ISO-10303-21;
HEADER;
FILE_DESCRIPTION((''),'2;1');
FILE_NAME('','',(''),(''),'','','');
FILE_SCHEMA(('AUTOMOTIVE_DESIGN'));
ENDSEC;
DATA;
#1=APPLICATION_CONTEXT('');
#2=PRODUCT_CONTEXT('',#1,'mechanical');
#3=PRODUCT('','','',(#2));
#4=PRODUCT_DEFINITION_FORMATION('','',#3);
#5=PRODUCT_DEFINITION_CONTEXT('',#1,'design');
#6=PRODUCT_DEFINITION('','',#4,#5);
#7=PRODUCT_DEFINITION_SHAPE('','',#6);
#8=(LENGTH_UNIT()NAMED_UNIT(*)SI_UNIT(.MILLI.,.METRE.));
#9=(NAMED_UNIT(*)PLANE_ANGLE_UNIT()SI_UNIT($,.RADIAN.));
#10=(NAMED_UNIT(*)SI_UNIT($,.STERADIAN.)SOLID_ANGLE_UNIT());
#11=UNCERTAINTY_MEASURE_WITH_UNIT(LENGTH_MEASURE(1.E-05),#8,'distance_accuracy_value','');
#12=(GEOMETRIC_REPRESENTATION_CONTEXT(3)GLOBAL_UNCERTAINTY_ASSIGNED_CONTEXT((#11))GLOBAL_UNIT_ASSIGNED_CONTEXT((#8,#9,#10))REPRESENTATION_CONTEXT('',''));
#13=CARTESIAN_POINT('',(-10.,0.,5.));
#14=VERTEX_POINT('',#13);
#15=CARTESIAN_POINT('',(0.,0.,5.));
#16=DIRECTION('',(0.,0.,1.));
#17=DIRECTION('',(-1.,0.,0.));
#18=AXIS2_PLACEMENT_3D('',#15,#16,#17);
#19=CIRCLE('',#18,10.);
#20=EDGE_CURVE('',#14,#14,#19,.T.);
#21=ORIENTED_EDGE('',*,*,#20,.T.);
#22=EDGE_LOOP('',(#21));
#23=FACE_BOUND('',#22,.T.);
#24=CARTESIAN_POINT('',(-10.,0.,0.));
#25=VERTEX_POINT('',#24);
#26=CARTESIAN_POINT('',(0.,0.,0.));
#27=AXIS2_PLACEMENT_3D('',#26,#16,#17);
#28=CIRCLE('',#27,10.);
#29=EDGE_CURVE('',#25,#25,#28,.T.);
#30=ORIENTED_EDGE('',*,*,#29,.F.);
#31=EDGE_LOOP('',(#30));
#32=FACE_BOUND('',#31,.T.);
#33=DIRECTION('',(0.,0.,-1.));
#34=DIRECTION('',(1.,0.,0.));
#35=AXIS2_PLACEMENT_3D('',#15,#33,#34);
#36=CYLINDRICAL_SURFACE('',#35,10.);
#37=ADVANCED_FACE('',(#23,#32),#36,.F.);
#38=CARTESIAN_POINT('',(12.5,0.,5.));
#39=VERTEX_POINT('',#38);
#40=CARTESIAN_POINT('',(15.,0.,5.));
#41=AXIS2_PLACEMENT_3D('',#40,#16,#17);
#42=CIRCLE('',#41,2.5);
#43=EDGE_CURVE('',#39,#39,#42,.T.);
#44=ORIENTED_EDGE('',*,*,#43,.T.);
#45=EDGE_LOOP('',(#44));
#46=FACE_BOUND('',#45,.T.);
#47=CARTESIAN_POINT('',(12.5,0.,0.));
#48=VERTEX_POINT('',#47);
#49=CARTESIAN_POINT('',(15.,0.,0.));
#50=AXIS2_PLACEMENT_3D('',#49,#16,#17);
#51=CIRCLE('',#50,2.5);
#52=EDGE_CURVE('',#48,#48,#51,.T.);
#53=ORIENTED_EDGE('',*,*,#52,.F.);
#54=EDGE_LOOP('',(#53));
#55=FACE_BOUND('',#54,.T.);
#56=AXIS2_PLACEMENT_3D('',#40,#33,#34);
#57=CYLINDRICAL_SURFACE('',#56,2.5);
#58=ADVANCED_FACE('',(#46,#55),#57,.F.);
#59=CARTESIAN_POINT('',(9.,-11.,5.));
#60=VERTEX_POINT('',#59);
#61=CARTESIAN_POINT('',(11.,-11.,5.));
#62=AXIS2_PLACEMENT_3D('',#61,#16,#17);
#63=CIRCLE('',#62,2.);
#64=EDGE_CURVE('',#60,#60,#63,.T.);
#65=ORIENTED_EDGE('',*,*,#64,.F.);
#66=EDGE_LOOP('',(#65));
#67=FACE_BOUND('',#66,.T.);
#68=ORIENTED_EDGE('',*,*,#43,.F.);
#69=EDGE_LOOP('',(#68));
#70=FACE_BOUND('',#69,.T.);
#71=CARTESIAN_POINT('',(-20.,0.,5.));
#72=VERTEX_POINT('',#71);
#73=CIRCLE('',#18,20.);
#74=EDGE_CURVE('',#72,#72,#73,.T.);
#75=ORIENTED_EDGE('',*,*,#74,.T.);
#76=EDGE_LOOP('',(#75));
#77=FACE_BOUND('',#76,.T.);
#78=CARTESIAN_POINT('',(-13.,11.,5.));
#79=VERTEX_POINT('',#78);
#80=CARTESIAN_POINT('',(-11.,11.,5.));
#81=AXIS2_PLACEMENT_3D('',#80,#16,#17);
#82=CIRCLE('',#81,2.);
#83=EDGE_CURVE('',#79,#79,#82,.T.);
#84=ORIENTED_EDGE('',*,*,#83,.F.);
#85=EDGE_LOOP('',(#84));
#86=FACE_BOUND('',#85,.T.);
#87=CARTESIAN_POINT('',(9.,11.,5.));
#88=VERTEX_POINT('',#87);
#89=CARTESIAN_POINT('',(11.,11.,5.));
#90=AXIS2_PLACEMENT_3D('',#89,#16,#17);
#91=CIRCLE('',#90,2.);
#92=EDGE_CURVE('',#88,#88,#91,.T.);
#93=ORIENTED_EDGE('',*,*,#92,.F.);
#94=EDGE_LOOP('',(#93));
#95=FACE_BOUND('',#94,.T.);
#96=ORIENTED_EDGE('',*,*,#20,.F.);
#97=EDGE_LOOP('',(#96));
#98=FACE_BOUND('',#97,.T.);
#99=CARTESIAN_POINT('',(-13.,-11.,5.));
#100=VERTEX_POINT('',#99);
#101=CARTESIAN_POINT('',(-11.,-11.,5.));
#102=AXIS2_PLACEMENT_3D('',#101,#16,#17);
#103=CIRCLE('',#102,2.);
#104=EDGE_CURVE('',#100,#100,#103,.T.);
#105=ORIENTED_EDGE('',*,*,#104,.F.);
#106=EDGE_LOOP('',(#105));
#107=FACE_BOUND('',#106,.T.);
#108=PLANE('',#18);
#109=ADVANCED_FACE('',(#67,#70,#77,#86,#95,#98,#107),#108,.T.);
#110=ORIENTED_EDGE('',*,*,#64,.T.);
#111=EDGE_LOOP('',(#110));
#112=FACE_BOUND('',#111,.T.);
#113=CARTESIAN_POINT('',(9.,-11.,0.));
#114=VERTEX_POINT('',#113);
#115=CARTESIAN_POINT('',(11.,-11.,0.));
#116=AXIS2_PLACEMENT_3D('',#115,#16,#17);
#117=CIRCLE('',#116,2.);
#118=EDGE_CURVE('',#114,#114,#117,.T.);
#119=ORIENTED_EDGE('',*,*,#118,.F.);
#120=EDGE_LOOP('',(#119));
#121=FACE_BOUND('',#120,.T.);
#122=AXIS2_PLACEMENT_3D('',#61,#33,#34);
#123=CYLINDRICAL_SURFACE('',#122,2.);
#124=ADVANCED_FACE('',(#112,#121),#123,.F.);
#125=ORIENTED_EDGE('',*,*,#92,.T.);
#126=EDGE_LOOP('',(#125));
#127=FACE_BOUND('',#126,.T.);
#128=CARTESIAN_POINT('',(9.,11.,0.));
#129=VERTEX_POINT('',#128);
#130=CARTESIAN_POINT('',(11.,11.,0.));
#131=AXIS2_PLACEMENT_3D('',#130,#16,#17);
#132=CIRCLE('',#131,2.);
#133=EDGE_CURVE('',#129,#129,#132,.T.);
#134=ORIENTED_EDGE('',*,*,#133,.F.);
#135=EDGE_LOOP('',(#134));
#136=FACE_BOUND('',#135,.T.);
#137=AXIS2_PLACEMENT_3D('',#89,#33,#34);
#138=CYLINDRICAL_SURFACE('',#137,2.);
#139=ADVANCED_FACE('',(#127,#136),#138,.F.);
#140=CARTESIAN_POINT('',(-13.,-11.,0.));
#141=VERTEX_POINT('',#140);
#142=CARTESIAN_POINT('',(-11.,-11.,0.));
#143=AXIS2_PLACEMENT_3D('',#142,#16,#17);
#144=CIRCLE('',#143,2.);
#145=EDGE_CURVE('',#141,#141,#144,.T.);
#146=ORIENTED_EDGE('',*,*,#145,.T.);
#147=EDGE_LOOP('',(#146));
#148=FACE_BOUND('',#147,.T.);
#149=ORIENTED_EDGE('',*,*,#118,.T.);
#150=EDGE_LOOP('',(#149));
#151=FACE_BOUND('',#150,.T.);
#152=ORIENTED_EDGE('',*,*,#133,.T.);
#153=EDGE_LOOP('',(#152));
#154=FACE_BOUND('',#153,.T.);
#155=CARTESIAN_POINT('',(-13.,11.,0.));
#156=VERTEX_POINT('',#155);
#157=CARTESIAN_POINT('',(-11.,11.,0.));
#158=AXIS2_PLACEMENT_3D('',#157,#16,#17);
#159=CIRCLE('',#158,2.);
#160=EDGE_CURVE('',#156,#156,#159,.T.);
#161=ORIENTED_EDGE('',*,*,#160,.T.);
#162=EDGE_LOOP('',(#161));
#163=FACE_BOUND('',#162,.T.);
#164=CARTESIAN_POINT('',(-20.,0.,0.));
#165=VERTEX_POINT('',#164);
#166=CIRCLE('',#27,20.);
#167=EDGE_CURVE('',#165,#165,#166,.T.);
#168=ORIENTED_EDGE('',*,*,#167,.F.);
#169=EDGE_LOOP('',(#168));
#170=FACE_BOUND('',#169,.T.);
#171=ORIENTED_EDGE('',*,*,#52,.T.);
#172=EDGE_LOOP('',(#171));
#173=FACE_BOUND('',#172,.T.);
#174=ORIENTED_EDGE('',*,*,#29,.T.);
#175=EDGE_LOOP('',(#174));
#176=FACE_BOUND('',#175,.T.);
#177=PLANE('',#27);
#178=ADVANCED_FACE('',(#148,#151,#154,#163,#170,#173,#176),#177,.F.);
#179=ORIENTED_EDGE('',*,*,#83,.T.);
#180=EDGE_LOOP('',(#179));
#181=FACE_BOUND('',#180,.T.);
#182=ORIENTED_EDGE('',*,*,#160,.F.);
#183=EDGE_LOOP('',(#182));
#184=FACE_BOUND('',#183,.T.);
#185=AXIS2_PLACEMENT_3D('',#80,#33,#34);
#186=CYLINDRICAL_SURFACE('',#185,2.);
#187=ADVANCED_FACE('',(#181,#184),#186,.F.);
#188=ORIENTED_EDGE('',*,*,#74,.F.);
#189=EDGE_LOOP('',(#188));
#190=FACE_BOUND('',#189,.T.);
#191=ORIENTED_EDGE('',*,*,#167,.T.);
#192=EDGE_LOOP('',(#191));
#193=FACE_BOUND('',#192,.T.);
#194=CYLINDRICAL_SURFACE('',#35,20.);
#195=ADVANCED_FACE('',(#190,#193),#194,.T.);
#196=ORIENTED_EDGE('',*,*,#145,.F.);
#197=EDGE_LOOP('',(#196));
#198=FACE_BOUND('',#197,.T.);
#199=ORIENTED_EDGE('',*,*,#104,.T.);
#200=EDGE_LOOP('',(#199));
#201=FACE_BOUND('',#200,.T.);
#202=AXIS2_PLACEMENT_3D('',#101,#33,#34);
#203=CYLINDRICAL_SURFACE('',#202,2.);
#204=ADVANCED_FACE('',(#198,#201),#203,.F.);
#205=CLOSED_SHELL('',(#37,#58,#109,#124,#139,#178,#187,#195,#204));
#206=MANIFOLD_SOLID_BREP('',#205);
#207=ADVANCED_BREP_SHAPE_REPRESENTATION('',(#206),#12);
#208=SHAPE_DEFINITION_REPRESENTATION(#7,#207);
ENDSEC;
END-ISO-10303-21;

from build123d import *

# Parameters (mm, degrees)
SKETCH1_R             = 20
SKETCH1_R_2           = 10
SKETCH1_R_3           = 2
SKETCH1_R_4           = 2.5
BOSS_EXTRUDE1_DEPTH   = 5
BODY_MOVE_COPY1_ANGLE = 180


with BuildPart() as part:
    # Sketch1 → Boss-Extrude1 (new body)
    with BuildSketch(Plane(origin=(0, 0, 0), x_dir=(0, 0, -1), z_dir=(1, 0, 0))):
        Circle(SKETCH1_R)
        Circle(SKETCH1_R_2, mode=Mode.SUBTRACT)
        with Locations((-11, 11)):
            Circle(SKETCH1_R_3, mode=Mode.SUBTRACT)
        with Locations((11, 11)):
            Circle(SKETCH1_R_3, mode=Mode.SUBTRACT)
        with Locations((11, -11)):
            Circle(SKETCH1_R_3, mode=Mode.SUBTRACT)
        with Locations((-11, -11)):
            Circle(SKETCH1_R_3, mode=Mode.SUBTRACT)
        with Locations((-15, 0)):
            Circle(SKETCH1_R_4, mode=Mode.SUBTRACT)
    extrude(amount=BOSS_EXTRUDE1_DEPTH)


with BuildPart() as part_1:
    # Body-Move/Copy1: moved
    add(part.part.rotate(Axis((0, 0, 0), (0.7071067811865488, 0, 0.7071067811865462)), BODY_MOVE_COPY1_ANGLE))


solid = part_1.part
